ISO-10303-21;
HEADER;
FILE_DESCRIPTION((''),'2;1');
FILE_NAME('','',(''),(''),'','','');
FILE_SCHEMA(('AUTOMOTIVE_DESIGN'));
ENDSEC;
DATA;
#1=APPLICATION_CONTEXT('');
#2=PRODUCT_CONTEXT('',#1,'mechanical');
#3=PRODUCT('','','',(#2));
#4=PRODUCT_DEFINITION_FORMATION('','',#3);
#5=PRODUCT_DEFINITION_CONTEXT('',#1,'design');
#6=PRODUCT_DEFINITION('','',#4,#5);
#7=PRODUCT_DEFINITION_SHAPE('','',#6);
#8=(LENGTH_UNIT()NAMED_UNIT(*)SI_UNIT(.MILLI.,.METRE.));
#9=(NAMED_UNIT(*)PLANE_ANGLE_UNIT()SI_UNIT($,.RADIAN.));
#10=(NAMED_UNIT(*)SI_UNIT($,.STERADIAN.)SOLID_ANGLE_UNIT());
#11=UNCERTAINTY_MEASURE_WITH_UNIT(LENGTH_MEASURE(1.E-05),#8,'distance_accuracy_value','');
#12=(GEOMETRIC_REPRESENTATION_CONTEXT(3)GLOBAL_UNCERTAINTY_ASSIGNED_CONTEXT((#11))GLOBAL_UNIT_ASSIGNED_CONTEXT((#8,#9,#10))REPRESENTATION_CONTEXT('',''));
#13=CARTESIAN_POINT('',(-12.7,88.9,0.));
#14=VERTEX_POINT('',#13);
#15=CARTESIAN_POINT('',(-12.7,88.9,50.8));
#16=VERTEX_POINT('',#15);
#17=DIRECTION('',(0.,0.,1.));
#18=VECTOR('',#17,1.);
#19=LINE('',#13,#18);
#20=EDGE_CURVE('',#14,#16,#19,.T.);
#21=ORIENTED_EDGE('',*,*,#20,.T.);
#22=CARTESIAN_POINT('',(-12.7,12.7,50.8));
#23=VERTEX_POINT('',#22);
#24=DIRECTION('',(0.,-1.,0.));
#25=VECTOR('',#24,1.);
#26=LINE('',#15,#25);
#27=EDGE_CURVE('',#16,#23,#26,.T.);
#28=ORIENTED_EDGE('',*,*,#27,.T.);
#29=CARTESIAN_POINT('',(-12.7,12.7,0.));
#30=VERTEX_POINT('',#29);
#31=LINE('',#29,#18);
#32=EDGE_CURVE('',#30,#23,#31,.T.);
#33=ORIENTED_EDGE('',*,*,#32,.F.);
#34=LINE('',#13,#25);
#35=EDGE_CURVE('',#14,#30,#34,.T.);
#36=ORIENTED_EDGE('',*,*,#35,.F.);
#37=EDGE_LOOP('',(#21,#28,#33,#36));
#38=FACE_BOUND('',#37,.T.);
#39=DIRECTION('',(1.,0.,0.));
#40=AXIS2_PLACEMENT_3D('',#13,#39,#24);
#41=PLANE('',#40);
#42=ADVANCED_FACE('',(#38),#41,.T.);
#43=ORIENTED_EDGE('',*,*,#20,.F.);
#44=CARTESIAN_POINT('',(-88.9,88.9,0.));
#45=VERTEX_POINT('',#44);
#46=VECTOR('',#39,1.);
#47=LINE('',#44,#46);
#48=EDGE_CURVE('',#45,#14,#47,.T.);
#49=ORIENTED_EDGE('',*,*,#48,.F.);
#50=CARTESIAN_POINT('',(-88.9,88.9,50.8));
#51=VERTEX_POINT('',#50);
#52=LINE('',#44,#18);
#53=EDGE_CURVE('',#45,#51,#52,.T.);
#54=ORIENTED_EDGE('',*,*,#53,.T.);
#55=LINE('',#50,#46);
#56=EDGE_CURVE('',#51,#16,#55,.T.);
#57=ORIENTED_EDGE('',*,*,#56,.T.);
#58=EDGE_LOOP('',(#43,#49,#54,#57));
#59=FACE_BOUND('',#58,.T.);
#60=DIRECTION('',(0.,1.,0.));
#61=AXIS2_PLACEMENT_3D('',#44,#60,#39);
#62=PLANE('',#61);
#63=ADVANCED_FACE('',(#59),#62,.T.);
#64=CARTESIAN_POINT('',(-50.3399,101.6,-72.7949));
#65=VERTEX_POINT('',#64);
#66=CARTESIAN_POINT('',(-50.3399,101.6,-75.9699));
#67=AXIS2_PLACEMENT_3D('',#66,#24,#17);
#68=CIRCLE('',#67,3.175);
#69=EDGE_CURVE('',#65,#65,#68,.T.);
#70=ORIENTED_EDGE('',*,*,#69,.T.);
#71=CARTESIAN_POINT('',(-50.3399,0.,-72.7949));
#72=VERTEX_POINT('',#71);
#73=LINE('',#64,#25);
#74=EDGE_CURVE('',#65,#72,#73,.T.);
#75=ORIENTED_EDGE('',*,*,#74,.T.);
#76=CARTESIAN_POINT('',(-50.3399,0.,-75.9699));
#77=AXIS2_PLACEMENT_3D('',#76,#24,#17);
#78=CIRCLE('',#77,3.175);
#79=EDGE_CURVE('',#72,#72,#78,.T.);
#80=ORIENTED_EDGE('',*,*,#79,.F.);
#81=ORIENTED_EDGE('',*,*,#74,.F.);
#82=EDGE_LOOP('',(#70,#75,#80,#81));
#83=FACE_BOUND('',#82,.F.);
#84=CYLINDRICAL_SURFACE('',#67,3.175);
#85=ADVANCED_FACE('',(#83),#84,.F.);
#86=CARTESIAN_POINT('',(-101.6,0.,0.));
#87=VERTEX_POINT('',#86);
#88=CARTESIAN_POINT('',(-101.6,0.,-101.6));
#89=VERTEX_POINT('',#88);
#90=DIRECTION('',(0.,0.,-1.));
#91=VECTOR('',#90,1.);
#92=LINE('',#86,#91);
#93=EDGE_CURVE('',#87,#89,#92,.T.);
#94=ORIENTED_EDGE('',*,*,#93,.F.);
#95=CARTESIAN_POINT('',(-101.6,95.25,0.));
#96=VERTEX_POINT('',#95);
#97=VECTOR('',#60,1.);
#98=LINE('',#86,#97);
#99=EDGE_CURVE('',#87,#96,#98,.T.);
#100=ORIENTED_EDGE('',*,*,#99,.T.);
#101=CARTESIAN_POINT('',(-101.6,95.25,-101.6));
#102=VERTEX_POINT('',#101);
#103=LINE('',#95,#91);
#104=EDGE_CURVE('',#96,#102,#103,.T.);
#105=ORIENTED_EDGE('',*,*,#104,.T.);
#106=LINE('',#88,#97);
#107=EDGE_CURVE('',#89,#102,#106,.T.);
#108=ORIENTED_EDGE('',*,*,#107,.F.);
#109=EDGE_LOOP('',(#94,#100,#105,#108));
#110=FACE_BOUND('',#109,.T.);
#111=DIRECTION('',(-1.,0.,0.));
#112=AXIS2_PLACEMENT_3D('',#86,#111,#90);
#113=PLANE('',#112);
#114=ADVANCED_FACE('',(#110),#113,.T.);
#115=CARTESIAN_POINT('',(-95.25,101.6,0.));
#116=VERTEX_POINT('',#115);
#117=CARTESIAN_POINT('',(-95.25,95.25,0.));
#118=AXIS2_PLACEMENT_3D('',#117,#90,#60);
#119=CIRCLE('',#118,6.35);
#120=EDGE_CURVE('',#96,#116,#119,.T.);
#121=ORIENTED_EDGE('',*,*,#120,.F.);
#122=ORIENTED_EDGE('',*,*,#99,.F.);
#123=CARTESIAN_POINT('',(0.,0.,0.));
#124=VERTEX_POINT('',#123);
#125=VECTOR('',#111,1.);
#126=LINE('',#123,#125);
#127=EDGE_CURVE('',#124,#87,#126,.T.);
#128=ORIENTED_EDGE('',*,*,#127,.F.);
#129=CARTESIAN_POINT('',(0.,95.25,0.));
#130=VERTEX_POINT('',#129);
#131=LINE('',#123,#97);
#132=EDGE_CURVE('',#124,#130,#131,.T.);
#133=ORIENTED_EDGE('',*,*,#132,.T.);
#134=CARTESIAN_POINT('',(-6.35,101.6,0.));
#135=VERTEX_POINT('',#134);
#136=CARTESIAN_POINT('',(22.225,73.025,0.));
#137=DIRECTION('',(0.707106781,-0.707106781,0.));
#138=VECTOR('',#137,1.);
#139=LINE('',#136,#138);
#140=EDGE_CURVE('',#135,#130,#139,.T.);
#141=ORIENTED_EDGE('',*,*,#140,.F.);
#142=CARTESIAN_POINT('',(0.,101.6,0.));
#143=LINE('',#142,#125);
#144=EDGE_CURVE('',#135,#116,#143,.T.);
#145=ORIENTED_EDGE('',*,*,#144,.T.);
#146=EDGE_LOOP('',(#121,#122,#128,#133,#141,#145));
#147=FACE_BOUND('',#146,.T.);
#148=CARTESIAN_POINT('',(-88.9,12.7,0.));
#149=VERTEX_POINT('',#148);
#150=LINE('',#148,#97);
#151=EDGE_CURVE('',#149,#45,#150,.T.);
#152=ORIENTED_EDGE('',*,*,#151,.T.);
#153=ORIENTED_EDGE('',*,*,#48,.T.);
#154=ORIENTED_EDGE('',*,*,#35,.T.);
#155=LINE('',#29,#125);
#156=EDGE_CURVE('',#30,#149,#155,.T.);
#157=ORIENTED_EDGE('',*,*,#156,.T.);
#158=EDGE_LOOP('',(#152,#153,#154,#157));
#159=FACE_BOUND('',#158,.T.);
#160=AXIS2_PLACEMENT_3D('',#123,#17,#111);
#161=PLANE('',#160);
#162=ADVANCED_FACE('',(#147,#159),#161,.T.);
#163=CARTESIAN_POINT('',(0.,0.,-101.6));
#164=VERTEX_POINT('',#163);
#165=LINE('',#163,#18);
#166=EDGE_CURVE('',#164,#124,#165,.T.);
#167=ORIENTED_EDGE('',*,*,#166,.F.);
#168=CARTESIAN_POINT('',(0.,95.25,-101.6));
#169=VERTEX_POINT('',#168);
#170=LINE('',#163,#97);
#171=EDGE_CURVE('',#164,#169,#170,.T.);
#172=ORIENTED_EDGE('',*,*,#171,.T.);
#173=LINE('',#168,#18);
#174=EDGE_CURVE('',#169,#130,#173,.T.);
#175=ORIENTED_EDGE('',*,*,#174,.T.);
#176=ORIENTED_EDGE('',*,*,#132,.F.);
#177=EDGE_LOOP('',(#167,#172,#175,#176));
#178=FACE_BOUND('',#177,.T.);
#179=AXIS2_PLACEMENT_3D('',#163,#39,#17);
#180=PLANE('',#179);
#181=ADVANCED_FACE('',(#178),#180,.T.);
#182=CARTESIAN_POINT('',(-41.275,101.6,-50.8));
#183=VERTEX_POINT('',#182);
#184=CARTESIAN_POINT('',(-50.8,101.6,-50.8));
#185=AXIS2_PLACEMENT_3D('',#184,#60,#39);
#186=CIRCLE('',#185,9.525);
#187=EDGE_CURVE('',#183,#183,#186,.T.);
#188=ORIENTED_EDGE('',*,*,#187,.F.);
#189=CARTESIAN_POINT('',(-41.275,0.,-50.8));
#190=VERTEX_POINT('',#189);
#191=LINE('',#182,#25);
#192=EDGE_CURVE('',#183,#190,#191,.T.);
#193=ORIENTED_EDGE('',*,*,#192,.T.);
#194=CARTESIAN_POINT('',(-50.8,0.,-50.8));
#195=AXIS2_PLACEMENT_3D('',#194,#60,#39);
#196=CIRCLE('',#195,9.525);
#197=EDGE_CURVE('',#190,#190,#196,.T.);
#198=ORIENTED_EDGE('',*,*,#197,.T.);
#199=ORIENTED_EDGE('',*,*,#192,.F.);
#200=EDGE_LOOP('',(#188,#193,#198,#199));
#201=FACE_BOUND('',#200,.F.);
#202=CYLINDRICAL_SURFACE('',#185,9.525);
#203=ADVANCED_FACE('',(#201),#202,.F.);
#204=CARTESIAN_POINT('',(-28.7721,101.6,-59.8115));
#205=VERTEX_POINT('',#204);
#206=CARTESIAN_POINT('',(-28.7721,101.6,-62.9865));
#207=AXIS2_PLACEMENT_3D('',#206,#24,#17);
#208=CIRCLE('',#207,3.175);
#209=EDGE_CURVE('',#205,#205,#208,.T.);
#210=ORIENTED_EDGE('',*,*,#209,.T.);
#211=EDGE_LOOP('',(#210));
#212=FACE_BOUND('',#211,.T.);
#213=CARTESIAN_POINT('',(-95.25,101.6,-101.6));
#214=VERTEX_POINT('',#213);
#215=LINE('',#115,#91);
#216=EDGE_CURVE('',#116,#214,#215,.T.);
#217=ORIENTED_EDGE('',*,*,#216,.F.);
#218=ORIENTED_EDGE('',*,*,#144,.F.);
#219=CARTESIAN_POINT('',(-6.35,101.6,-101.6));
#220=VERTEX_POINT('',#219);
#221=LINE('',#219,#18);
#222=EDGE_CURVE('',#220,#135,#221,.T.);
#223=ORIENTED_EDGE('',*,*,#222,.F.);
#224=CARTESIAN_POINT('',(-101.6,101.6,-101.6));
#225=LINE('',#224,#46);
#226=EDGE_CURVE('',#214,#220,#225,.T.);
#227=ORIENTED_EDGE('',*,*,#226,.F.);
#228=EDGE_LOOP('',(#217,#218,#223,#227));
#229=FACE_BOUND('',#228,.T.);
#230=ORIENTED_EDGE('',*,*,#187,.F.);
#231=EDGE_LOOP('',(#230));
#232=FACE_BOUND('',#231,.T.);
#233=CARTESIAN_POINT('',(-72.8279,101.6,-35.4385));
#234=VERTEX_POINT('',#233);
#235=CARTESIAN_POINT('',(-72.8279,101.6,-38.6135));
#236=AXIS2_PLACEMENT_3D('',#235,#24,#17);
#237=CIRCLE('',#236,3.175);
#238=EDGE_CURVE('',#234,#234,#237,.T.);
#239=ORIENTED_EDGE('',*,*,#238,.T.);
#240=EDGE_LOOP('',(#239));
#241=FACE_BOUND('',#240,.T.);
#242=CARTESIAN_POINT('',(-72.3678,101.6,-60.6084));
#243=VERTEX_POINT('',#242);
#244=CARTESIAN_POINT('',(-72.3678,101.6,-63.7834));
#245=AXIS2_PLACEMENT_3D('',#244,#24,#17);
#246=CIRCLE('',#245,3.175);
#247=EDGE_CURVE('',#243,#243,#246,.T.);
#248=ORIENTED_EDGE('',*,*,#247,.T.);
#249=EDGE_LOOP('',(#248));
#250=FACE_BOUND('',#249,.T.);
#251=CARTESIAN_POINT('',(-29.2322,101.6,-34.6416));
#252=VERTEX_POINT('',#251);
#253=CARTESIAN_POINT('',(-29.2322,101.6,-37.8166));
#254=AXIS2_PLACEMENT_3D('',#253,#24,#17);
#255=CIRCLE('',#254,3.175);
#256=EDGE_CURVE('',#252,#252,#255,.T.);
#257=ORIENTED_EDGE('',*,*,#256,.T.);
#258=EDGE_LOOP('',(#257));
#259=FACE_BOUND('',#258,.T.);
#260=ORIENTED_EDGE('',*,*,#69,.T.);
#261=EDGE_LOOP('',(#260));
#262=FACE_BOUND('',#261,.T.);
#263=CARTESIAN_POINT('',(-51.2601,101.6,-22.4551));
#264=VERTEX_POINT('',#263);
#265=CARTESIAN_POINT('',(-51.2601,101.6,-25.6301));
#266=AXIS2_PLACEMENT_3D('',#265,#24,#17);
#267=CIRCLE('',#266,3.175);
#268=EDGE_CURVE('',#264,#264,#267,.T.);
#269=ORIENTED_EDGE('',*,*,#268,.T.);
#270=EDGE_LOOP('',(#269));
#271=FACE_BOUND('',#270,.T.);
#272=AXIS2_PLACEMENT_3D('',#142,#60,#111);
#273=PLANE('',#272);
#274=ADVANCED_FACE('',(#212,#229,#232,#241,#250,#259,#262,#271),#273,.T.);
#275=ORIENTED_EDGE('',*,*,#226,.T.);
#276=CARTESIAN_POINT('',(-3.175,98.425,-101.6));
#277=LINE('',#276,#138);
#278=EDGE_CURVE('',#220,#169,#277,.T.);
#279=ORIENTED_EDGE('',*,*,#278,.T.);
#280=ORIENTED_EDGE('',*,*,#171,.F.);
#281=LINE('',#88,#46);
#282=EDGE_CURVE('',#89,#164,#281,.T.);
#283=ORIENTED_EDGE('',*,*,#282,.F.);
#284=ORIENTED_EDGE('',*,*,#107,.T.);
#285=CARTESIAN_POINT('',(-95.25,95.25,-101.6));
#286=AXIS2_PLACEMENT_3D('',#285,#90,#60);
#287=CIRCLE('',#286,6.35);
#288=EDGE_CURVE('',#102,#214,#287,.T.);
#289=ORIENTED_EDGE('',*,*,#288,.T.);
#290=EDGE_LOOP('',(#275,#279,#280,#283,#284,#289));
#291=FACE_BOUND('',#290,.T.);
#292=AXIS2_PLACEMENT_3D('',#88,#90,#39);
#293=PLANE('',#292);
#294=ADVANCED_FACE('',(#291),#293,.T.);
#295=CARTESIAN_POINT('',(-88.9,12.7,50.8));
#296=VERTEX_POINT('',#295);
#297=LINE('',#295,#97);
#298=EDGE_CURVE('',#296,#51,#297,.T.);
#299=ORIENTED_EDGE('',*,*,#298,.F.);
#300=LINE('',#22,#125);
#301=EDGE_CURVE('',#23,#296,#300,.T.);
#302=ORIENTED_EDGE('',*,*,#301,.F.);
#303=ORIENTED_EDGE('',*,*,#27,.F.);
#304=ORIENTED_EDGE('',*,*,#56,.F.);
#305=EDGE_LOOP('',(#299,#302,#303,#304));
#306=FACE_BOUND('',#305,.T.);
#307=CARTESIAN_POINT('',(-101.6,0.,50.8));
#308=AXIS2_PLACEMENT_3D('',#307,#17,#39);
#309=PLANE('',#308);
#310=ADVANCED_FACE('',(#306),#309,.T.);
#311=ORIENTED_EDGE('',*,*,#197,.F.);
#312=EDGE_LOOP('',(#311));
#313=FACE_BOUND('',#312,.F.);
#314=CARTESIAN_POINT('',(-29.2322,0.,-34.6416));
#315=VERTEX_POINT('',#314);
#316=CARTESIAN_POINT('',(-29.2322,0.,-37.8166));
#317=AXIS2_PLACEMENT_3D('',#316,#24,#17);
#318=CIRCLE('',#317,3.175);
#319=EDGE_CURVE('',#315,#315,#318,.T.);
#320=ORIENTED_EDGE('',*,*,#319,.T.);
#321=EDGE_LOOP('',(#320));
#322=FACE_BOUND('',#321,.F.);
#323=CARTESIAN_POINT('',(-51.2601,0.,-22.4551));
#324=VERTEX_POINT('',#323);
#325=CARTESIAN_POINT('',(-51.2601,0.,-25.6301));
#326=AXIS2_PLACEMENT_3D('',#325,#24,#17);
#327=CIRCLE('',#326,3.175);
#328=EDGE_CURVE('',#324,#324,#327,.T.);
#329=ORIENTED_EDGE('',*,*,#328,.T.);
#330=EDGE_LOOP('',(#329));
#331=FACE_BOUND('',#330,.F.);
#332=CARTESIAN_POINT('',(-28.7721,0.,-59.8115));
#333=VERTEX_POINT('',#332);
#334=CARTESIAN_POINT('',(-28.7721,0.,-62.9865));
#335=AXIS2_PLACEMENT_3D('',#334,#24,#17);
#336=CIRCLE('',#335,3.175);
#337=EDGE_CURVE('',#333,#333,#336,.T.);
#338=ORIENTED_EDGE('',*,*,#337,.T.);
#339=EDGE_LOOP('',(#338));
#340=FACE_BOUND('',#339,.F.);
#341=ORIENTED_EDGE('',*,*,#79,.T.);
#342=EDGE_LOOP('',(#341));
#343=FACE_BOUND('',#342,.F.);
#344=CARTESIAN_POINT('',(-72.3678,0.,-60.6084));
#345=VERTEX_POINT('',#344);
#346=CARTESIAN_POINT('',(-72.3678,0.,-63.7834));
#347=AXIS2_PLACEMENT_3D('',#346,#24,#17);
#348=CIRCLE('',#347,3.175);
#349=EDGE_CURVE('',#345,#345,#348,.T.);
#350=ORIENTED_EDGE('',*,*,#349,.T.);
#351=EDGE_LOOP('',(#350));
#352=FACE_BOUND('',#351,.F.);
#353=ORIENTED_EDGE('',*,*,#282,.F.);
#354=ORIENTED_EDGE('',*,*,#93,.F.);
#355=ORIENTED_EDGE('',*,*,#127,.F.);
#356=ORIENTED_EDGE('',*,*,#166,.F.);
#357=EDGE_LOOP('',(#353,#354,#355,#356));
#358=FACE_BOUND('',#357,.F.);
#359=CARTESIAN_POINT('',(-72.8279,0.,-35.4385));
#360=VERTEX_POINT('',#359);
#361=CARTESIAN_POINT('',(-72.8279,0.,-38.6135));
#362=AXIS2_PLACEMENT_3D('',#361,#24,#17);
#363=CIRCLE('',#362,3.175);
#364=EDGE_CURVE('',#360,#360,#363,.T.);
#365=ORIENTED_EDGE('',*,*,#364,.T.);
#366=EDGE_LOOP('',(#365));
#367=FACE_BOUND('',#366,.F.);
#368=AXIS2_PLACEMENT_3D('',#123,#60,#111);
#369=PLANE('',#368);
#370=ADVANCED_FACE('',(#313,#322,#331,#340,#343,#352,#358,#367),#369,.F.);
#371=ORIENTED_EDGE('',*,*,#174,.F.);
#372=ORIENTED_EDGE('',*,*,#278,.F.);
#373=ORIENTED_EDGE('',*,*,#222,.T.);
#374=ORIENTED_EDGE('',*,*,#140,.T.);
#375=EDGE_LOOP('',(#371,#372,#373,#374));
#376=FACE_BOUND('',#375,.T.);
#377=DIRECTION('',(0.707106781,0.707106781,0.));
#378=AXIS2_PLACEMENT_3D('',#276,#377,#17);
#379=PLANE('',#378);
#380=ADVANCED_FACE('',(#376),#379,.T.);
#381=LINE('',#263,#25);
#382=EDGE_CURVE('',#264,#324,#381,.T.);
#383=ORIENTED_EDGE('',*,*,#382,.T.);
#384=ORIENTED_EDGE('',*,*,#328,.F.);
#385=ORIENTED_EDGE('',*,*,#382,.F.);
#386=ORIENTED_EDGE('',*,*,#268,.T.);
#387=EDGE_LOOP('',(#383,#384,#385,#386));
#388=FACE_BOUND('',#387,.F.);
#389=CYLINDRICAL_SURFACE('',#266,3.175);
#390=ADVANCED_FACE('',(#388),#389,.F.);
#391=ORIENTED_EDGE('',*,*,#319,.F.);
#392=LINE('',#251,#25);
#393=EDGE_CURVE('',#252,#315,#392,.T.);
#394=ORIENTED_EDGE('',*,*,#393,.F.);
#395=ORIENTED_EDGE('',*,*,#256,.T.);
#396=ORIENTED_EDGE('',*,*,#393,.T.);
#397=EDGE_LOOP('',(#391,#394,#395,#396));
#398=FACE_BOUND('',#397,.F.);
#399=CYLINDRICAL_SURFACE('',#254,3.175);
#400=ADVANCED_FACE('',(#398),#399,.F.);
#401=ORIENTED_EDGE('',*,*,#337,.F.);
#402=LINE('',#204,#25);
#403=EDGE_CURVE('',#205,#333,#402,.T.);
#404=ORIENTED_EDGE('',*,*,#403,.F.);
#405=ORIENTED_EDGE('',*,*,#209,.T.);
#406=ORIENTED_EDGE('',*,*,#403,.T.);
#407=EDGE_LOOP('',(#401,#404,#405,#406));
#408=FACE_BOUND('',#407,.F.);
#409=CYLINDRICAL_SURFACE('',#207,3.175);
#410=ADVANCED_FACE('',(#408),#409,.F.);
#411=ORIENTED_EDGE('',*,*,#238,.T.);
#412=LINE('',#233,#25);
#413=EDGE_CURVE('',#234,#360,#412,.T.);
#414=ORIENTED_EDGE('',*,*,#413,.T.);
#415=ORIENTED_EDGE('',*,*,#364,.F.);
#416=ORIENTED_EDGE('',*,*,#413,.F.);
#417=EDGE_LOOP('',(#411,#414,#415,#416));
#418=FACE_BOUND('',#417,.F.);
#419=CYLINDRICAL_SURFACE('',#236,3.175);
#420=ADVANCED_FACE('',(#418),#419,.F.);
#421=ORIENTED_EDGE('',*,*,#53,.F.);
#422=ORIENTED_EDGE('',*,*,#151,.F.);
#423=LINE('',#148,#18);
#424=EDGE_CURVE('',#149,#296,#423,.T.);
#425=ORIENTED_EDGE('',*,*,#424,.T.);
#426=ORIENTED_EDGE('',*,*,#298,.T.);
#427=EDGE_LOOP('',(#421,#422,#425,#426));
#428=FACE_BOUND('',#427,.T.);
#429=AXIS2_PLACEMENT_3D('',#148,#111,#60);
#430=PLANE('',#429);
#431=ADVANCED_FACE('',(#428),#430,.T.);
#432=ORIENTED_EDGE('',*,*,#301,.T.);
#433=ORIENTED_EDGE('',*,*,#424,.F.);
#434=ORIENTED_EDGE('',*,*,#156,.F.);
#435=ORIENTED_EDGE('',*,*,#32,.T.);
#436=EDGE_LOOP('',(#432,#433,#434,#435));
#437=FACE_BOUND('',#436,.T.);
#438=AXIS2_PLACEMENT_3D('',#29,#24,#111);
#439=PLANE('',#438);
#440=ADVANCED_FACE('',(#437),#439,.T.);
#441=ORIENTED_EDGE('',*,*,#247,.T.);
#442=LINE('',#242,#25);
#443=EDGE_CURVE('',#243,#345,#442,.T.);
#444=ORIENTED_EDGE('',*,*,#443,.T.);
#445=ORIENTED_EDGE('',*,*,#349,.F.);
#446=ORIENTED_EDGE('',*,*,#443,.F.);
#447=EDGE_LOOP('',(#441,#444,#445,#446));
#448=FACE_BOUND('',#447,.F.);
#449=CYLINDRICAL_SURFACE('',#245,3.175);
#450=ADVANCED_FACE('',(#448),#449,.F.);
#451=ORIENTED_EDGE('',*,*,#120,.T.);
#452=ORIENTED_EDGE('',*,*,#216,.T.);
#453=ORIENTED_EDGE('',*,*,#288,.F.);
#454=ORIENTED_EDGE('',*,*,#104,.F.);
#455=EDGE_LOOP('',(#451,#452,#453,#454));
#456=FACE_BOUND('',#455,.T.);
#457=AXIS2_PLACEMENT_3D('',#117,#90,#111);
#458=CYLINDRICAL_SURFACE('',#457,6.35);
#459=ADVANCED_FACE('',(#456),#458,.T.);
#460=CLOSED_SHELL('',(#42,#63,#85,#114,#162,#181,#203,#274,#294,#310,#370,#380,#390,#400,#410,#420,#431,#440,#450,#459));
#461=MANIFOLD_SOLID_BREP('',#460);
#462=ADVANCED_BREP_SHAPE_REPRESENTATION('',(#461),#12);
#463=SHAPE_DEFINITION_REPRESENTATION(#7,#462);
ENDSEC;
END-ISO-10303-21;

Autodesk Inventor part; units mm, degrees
ref_plane "YZ Plane" through (0, 0, 0) normal (1, 0, 0) x (0, 1, 0)
ref_plane "XZ Plane" through (0, 0, 0) normal (0, 1, 0) x (-1, 0, 0)
ref_plane "XY Plane" through (0, 0, 0) normal (0, 0, 1) x (1, 0, 0)
sketch "Sketch1" plane through (0, 0, 0) normal (0, 1, 0) x (-1, 0, 0)
  line L0 (0, 0) -> (101.6, 0)
  line L1 (101.6, 0) -> (101.6, -101.6)
  line L2 (101.6, -101.6) -> (0, -101.6)
  line L3 (0, -101.6) -> (0, 0)
  dimension "d0" = 101.6
  dimension "d1" = 101.6
extrude "Extrusion1" add sketch "Sketch1" along normal blind 101.6
sketch "Sketch2" plane through (0, 101.6, 0) normal (0, 1, 0) x (1, 0, 0)
  circle A0 centre (-50.8, 50.8) radius 9.525
  line L0 (-101.6, 0) -> (0, 0) projected
  line L1 (-101.6, 101.6) -> (-101.6, 0) projected
  point P0 (-51.2601, 25.6301)
  point P1 (-29.2322, 37.8166)
  point P2 (-28.7721, 62.9865)
  point P3 (-50.3399, 75.9699)
  point P4 (-72.3678, 63.7834)
  point P5 (-72.8279, 38.6135)
  dimension "d6" = 360
  dimension "d25" = 19.05
  dimension "d26" = 50.8
  dimension "d27" = 50.8
extrude "Extrusion2" cut sketch "Sketch2" against normal through all
hole "Hole1" at (-50.8, 101.6, -50.8) at (-51.2601, 101.6, -25.6301) at (-29.2322, 101.6, -37.8166) at (-28.7721, 101.6, -62.9865) at (-50.3399, 101.6, -75.9699) at (-72.3678, 101.6, -63.7834) at (-72.8279, 101.6, -38.6135) direction (0, -1, 0) diameter 6.35 end through all
fillet "Fillet1" radius 6.35 1 edges at (-101.6, 101.6, -50.8)
chamfer "Chamfer1" distance 6.35 angle 45 1 edges at (0, 101.6, -50.8)
sketch "Sketch3" plane through (-101.6, 0, 0) normal (0, 0, 1) x (1, 0, 0)
  line L0 (12.7, 88.9) -> (88.9, 88.9)
  line L1 (88.9, 88.9) -> (88.9, 12.7)
  line L2 (88.9, 12.7) -> (12.7, 12.7)
  line L3 (12.7, 12.7) -> (12.7, 88.9)
  line L4 (12.7, 88.9) -> (88.9, 12.7) construction
  line L5 (88.9, 88.9) -> (12.7, 12.7) construction
  point P0 (101.6, 0)
  point P1 (50.8, 50.8)
  dimension "d21" = 76.2
  dimension "d22" = 76.2
extrude "Extrusion3" add sketch "Sketch3" along normal blind 50.8
properties part number "BasicCube"
